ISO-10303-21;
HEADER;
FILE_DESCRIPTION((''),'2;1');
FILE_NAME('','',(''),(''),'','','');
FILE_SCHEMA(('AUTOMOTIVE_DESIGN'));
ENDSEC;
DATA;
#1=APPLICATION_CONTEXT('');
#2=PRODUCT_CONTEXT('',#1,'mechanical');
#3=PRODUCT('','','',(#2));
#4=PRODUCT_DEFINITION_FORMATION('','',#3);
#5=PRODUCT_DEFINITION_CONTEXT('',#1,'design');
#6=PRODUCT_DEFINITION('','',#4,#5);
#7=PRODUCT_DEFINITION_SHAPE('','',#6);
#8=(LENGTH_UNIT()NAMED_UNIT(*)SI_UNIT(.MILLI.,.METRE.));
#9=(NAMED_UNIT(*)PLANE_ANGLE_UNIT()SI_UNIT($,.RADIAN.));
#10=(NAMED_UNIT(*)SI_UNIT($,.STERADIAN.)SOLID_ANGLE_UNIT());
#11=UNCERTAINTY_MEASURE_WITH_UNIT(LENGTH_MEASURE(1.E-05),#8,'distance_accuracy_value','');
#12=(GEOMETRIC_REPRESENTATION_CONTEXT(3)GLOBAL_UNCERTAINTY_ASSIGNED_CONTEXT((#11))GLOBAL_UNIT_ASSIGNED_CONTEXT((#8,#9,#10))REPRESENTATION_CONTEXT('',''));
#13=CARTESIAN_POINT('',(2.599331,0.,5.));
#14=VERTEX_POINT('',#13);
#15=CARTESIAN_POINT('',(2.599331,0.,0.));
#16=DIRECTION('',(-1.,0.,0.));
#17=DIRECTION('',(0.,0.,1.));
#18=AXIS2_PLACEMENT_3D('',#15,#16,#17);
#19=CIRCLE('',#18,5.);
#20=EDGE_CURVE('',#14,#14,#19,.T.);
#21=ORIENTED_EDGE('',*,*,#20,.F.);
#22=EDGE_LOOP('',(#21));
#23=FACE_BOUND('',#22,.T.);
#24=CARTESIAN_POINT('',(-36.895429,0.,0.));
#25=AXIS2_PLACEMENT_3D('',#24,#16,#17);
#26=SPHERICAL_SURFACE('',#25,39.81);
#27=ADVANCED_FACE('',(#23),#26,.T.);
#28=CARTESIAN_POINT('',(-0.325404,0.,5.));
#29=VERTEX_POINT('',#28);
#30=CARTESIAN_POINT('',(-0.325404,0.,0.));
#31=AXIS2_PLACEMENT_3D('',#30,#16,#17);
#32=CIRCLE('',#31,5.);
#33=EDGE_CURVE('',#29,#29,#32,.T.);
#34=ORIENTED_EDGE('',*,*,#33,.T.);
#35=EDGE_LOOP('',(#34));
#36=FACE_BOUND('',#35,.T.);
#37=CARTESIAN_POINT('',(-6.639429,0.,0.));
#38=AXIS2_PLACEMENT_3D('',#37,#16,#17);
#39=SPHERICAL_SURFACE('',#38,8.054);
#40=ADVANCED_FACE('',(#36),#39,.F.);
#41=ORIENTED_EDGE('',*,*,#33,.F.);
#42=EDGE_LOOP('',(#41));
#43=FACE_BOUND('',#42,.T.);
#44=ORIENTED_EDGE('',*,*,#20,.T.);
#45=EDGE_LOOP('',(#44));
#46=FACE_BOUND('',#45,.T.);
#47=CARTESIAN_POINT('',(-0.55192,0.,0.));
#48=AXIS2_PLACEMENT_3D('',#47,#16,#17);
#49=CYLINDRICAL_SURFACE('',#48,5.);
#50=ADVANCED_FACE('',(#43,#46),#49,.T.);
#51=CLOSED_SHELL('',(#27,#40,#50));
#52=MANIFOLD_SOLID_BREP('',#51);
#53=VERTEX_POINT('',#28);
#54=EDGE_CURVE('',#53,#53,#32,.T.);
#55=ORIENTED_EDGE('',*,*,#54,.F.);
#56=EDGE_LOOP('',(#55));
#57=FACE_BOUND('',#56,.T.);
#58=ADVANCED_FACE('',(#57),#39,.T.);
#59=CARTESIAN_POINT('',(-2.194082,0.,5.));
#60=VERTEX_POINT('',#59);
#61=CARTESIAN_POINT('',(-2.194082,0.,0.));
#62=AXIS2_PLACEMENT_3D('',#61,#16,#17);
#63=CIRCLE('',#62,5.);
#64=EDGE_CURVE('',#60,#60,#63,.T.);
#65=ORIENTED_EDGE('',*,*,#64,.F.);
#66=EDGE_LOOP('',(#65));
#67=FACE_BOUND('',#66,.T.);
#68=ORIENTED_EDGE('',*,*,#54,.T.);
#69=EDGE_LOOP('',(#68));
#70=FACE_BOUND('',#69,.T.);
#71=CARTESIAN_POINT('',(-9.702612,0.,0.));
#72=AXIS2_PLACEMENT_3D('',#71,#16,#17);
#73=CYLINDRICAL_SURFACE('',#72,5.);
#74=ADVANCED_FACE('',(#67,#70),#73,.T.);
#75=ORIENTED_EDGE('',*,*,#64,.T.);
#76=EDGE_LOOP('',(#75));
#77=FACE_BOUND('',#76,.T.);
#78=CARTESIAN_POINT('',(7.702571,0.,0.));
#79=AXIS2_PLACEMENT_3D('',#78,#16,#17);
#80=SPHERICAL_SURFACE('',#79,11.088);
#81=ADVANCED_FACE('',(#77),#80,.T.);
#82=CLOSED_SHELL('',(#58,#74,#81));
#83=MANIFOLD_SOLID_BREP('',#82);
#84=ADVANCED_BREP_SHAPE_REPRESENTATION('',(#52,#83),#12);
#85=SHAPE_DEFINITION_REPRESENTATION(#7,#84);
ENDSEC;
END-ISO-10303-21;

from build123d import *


with BuildPart() as part:
    # 草图1 one side → 旋转1 (revolve)
    with BuildSketch(Plane(origin=(0, 0, 0), x_dir=(1, 0, 0), z_dir=(0, 1, 0)), mode=Mode.PRIVATE) as revolve_1_sk:
        with BuildLine():
            ThreePointArc((-2.194082493, 5), (-3.083481295, 2.569985762), (-3.385429321, 0))
            Line((-3.385429321, 0), (1.414570679, 0))
            ThreePointArc((1.414570679, 0), (0.967149282, 2.647050803), (-0.325403981, 5))
            Line((-0.325403981, 5), (-2.194082493, 5))
        make_face()
    revolve(revolve_1_sk.sketch.rotate(Axis((-9.702612178, 0, 0), (1, 0, 0)), 180), axis=Axis((-9.702612178, 0, 0), (1, 0, 0)))  # turned: the seam where the file's is


with BuildPart() as body_2:
    # 草图2 one side → 旋转3 (revolve)
    with BuildSketch(Plane(origin=(0, 0, 0), x_dir=(1, 0, 0), z_dir=(0, 1, 0)), mode=Mode.PRIVATE) as revolve_3_sk:
        with BuildLine():
            Line((2.599331091, 5), (-0.325403981, 5))
            ThreePointArc((-0.325403981, 5), (0.967149282, 2.647050803), (1.414570679, 0))
            Line((1.414570679, 0), (2.914570679, 0))
            ThreePointArc((2.914570679, 0), (2.835682619, 2.504963872), (2.599331091, 5))
        make_face()
    revolve(revolve_3_sk.sketch.rotate(Axis((-0.551919993, 0, 0), (1, 0, 0)), 180), axis=Axis((-0.551919993, 0, 0), (1, 0, 0)))  # turned: the seam where the file's is


solid = Compound([part.part, body_2.part])
